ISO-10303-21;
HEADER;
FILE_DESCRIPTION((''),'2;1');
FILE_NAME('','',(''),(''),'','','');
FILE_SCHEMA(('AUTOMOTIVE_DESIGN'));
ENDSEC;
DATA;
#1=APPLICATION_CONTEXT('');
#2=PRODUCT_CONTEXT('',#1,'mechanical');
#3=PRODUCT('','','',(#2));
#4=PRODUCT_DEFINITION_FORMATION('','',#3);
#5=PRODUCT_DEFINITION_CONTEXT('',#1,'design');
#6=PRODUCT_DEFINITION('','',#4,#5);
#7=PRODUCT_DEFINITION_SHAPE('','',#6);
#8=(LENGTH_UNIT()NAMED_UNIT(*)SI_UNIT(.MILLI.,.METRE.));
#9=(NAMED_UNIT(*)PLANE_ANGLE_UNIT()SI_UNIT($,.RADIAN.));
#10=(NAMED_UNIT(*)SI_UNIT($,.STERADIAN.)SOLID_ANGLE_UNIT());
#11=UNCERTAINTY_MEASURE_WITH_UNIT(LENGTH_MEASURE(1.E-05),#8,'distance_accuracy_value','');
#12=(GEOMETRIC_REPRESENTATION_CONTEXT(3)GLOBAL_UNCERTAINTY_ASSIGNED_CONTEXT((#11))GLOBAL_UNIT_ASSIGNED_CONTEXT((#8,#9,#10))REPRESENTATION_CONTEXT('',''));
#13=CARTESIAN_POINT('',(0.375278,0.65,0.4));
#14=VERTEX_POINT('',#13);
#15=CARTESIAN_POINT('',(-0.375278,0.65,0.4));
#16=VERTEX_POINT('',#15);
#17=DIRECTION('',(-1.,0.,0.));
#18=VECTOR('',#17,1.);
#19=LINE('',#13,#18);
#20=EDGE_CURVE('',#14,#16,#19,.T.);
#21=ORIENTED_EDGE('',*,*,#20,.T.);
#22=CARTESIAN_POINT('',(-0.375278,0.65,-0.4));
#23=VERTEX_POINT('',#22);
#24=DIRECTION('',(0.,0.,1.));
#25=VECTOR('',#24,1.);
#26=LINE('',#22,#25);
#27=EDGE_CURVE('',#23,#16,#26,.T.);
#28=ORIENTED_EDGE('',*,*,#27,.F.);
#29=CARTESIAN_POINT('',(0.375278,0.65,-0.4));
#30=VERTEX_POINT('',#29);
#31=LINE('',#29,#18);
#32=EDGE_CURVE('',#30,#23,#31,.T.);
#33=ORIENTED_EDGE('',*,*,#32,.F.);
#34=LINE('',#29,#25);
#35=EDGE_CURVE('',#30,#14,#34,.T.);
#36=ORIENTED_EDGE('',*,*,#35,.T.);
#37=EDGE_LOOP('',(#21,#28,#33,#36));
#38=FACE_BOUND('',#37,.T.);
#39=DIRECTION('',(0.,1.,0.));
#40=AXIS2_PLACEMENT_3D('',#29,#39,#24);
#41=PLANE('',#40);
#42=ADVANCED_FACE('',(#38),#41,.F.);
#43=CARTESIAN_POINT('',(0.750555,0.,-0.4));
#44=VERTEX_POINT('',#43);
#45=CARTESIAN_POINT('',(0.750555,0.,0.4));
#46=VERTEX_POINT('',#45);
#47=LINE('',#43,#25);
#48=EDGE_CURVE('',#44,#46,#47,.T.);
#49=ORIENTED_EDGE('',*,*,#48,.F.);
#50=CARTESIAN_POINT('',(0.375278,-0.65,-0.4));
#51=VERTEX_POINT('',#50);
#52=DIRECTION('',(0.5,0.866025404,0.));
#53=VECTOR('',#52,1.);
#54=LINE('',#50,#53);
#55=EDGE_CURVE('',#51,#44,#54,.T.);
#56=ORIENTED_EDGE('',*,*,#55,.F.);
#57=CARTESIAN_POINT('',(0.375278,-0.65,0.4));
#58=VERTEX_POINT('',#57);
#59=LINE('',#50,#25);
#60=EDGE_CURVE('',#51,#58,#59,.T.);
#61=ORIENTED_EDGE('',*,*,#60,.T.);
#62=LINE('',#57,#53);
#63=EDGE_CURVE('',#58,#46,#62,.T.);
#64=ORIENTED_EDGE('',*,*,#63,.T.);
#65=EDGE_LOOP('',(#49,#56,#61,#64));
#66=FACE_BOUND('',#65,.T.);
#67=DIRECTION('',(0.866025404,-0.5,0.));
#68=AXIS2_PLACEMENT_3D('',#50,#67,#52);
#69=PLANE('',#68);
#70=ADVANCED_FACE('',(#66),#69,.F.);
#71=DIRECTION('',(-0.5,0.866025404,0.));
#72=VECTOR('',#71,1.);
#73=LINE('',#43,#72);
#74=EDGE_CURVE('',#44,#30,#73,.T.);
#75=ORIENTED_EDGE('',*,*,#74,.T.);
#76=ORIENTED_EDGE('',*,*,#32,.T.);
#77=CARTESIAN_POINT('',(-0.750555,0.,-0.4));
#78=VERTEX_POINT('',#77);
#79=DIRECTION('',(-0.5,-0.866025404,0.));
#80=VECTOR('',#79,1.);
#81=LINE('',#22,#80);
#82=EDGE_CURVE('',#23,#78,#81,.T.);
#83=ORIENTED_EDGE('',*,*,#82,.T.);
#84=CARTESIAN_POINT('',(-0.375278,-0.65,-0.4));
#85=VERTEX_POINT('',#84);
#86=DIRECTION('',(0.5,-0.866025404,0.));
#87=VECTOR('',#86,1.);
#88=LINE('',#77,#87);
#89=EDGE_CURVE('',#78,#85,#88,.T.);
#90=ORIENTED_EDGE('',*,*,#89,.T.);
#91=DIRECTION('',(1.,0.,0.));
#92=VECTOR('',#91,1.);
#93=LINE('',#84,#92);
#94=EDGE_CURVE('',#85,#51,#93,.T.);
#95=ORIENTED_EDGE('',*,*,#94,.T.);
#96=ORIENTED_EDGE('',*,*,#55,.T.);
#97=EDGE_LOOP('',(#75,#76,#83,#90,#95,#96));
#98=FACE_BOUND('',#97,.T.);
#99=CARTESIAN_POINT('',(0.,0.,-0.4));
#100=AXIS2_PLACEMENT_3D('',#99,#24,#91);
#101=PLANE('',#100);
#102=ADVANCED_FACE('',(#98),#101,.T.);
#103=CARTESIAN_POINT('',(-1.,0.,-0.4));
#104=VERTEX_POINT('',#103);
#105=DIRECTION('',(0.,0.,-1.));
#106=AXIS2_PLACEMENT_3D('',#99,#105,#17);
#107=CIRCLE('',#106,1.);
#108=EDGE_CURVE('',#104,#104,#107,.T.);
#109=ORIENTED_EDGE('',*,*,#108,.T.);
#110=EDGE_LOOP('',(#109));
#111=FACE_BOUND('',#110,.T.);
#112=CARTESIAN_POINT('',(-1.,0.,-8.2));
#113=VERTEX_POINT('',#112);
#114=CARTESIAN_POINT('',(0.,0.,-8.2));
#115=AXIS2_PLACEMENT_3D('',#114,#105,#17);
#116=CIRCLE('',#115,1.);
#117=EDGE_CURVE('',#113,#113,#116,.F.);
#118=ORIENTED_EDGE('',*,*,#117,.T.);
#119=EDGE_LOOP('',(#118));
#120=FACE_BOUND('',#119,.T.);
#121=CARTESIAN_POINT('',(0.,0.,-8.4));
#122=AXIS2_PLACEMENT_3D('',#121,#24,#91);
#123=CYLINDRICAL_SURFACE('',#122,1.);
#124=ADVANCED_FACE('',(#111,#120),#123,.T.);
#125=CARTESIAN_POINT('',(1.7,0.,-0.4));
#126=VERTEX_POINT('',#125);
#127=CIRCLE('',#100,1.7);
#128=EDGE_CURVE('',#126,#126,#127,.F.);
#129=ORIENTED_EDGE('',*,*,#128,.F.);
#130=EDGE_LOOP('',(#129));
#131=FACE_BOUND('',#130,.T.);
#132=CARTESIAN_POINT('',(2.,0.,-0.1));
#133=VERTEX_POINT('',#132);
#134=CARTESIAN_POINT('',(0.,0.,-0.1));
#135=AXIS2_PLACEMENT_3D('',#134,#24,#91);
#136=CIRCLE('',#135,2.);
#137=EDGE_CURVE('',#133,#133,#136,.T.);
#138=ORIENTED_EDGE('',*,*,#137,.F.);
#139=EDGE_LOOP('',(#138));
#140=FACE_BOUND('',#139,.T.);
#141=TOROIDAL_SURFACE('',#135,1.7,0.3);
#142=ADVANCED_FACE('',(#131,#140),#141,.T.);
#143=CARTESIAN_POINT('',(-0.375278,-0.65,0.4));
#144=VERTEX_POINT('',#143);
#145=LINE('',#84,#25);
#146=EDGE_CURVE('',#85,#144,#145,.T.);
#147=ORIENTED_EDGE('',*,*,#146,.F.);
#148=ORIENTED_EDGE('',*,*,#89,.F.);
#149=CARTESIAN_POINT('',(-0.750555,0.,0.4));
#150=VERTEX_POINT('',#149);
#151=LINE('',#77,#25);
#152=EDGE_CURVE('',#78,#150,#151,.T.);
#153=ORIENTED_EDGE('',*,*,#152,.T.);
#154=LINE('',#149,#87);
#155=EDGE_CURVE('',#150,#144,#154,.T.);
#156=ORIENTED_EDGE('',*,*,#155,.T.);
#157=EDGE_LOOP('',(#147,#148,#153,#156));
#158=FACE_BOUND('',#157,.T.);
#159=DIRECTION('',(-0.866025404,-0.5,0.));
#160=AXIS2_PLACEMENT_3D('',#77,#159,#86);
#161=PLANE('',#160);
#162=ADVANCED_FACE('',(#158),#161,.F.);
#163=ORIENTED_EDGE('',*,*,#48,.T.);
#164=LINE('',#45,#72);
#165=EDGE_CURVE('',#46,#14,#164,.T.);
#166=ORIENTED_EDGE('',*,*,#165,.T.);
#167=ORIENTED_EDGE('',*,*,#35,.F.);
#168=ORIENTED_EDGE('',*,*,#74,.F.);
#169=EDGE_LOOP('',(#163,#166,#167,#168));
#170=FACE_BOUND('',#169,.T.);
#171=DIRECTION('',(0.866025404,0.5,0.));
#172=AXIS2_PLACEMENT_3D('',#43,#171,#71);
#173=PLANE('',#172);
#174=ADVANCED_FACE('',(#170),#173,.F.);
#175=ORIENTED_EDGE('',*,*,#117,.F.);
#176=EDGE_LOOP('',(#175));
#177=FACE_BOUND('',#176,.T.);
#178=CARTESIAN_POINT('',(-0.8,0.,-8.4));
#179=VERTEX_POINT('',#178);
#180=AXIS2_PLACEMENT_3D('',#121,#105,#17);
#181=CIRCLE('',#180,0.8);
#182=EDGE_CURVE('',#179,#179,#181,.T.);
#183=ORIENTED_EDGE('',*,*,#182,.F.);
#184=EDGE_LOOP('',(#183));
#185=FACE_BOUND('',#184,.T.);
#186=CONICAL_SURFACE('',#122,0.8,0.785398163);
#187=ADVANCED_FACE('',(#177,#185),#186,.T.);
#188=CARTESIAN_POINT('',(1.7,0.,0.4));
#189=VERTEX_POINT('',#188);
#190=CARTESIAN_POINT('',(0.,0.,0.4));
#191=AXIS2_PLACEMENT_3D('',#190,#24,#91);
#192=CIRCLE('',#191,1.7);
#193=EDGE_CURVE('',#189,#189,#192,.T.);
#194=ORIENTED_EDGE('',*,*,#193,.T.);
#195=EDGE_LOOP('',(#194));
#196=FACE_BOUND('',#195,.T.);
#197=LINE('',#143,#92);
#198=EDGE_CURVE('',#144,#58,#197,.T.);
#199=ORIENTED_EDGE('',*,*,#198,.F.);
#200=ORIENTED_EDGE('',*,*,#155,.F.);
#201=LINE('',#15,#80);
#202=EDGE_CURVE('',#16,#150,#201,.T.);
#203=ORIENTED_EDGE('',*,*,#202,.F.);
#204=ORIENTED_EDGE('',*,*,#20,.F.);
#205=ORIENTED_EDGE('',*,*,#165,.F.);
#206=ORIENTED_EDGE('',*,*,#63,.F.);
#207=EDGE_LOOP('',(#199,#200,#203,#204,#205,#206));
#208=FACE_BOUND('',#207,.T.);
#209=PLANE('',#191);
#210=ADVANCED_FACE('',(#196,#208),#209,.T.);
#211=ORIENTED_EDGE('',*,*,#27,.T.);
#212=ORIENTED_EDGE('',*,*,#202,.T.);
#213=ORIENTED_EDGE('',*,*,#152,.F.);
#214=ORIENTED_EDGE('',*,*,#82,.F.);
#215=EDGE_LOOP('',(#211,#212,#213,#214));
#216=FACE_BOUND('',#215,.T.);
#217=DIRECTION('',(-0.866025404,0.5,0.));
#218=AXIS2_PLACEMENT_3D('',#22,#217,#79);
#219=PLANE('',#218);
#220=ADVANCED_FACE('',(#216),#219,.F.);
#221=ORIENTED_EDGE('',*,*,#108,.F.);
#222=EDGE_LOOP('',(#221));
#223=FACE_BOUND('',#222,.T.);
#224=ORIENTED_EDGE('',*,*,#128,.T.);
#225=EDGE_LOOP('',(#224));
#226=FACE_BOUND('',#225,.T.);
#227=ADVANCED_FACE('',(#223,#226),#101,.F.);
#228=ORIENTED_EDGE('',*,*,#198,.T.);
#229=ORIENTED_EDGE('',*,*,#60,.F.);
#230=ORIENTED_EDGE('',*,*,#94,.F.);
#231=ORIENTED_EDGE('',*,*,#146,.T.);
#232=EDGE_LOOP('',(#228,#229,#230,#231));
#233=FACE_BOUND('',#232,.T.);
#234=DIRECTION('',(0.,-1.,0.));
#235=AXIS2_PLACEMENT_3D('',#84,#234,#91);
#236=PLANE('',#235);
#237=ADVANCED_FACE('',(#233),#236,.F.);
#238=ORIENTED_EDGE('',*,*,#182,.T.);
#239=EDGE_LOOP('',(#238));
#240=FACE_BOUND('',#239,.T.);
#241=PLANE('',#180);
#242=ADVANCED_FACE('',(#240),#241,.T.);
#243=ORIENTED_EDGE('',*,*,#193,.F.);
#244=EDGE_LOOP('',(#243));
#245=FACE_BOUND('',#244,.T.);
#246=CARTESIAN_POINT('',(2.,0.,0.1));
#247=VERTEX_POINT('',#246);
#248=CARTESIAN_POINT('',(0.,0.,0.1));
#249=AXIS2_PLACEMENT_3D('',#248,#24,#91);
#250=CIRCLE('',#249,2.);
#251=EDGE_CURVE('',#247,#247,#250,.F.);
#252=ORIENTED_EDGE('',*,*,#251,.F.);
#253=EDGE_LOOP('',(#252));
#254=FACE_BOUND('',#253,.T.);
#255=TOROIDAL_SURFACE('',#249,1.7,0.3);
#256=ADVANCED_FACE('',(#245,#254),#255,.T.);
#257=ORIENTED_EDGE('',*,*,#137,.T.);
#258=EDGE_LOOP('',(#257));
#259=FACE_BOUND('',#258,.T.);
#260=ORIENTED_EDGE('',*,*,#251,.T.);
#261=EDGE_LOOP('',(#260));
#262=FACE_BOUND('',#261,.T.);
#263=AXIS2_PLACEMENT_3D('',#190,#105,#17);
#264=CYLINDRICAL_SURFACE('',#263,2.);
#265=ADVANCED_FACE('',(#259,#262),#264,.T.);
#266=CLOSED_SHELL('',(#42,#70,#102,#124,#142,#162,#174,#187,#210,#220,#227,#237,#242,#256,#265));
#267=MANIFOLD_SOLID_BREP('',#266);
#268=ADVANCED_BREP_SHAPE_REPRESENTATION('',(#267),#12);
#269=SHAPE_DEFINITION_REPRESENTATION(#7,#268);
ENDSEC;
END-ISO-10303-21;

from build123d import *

# Parameters (mm, degrees)
SKETCH_1_R          = 2
EXTRUDE_1_DEPTH     = 0.4
SKETCH_2_R          = 1
EXTRUDE_2_DEPTH     = 8
CHAMFER_1_SIZE      = 0.2
CUT_EXTRUDE_1_DEPTH = 0.8
FILLET_2_R          = 0.3


with BuildPart() as part:
    # 草图1 → 凸台-拉伸1 (new body, symmetric)
    with BuildSketch(Plane.XY):
        Circle(SKETCH_1_R)
    extrude(amount=EXTRUDE_1_DEPTH, both=True)

    # 草图2 → 凸台-拉伸2 (add)
    with BuildSketch(Plane(origin=(0, 0, -0.4), x_dir=(-1, 0, 0), z_dir=(0, 0, -1))):
        Circle(SKETCH_2_R)
    extrude(amount=EXTRUDE_2_DEPTH)

    # 倒角1
    chamfer_1_edges = [part.edges().sort_by_distance(p)[0] for p in [
        (1, 0, -8.4),
    ]]
    chamfer(chamfer_1_edges, length=CHAMFER_1_SIZE)

    # 草图3 → 切除-拉伸1 (cut)
    with BuildSketch(Plane.XY.offset(0.4)):
        Polygon((0.75055535, 0), (0.375277675, 0.65), (-0.375277675, 0.65), (-0.75055535, 0), (-0.375277675, -0.65), (0.375277675, -0.65), align=None)
    extrude(amount=-CUT_EXTRUDE_1_DEPTH, mode=Mode.SUBTRACT)

    # 圆角2
    fillet_2_edges = [part.edges().sort_by_distance(p)[0] for p in [
        (-2, 0, -0.4),
        (-2, 0, 0.4),
    ]]
    fillet(fillet_2_edges, radius=FILLET_2_R)


solid = part.part
